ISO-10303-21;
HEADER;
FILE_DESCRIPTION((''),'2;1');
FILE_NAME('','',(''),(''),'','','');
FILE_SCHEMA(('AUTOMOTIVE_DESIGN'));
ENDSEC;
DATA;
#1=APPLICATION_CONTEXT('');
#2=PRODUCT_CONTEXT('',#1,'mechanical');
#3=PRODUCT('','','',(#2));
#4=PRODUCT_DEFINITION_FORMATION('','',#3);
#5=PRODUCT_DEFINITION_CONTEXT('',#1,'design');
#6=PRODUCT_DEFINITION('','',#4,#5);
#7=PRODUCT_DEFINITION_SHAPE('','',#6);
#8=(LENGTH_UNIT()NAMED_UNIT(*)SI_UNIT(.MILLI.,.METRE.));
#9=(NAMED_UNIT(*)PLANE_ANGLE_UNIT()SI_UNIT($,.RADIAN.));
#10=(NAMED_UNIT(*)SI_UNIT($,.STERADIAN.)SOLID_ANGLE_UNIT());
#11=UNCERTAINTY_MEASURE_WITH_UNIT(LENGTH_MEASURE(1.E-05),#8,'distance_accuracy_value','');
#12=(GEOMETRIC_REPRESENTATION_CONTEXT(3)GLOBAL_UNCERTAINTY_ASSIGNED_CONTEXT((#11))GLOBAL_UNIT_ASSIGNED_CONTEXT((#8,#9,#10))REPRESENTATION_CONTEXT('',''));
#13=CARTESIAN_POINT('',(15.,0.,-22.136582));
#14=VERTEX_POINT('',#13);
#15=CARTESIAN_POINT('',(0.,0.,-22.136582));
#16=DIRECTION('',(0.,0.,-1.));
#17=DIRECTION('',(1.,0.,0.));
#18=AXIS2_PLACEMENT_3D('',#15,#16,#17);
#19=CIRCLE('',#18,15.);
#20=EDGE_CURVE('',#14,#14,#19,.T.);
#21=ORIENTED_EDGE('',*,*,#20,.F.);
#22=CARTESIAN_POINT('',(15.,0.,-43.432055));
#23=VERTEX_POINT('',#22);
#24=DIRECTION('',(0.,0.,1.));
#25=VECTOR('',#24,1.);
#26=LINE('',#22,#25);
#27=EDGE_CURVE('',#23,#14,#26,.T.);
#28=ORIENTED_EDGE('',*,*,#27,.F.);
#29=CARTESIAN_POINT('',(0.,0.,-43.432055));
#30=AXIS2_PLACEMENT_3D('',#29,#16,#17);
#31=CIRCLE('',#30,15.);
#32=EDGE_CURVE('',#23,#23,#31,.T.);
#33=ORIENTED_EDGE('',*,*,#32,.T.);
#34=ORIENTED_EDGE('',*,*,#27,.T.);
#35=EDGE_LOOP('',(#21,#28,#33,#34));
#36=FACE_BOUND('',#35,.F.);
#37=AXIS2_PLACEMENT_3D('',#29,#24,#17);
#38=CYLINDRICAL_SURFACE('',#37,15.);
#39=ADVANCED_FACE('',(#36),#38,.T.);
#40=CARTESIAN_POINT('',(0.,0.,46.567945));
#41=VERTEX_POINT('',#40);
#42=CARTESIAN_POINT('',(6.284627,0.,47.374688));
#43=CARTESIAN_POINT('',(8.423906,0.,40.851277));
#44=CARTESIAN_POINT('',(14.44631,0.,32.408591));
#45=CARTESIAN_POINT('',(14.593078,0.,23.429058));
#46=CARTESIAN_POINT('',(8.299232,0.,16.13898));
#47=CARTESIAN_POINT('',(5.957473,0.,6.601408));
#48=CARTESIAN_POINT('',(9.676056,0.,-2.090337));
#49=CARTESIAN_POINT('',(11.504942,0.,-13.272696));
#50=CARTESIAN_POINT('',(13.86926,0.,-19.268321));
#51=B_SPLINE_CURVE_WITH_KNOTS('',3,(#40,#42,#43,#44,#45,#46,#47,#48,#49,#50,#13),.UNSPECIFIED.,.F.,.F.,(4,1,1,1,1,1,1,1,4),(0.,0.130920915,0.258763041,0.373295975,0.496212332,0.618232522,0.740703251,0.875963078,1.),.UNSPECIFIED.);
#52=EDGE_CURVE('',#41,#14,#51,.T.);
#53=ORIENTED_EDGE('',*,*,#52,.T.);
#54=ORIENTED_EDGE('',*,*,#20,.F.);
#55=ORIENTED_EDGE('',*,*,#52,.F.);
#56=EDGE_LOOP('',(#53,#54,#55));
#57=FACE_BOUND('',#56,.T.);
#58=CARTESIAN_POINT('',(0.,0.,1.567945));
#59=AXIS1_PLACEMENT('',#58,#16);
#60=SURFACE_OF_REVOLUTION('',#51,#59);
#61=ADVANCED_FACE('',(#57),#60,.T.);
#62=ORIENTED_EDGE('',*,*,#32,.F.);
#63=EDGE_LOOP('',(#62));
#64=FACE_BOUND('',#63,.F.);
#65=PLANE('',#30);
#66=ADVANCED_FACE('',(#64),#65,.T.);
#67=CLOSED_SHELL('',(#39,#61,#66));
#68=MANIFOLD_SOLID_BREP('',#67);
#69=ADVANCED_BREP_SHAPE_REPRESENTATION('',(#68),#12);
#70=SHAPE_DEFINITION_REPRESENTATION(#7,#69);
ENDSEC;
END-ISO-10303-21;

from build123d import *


with BuildPart() as f1:
    # F0 (on Front) → F1 (revolve)
    with BuildSketch(Plane.XZ):
        with BuildLine():
            Line((0, -43.4320554115), (15, -43.4320554115))
            Line((15, -43.4320554115), (15, -22.1365820616))
            add(Edge.make_bspline(
                [(0, 46.5679445885), (6.2846266665, 47.3746880889), (8.4239065, 40.8512767071), (14.4463100433, 32.4085909349), (14.5930779541, 23.429057826), (8.2992321263, 16.138980055), (5.957472608, 6.601407641), (9.6760557566, -2.0903367349), (11.5049420508, -13.2726956634), (13.8692601534, -19.2683212192), (15, -22.1365820616)],
                knots=[0, 0, 0, 0, 0.1309209152, 0.2587630406, 0.3732959745, 0.496212332, 0.6182325217, 0.7407032513, 0.875963078, 1, 1, 1, 1], degree=3))
            Line((0, 46.5679445885), (0, -43.4320554115))
        make_face()
    revolve(axis=Axis((0, 0, 1.5679445885), (0, 0, -1)))


solid = f1.part
